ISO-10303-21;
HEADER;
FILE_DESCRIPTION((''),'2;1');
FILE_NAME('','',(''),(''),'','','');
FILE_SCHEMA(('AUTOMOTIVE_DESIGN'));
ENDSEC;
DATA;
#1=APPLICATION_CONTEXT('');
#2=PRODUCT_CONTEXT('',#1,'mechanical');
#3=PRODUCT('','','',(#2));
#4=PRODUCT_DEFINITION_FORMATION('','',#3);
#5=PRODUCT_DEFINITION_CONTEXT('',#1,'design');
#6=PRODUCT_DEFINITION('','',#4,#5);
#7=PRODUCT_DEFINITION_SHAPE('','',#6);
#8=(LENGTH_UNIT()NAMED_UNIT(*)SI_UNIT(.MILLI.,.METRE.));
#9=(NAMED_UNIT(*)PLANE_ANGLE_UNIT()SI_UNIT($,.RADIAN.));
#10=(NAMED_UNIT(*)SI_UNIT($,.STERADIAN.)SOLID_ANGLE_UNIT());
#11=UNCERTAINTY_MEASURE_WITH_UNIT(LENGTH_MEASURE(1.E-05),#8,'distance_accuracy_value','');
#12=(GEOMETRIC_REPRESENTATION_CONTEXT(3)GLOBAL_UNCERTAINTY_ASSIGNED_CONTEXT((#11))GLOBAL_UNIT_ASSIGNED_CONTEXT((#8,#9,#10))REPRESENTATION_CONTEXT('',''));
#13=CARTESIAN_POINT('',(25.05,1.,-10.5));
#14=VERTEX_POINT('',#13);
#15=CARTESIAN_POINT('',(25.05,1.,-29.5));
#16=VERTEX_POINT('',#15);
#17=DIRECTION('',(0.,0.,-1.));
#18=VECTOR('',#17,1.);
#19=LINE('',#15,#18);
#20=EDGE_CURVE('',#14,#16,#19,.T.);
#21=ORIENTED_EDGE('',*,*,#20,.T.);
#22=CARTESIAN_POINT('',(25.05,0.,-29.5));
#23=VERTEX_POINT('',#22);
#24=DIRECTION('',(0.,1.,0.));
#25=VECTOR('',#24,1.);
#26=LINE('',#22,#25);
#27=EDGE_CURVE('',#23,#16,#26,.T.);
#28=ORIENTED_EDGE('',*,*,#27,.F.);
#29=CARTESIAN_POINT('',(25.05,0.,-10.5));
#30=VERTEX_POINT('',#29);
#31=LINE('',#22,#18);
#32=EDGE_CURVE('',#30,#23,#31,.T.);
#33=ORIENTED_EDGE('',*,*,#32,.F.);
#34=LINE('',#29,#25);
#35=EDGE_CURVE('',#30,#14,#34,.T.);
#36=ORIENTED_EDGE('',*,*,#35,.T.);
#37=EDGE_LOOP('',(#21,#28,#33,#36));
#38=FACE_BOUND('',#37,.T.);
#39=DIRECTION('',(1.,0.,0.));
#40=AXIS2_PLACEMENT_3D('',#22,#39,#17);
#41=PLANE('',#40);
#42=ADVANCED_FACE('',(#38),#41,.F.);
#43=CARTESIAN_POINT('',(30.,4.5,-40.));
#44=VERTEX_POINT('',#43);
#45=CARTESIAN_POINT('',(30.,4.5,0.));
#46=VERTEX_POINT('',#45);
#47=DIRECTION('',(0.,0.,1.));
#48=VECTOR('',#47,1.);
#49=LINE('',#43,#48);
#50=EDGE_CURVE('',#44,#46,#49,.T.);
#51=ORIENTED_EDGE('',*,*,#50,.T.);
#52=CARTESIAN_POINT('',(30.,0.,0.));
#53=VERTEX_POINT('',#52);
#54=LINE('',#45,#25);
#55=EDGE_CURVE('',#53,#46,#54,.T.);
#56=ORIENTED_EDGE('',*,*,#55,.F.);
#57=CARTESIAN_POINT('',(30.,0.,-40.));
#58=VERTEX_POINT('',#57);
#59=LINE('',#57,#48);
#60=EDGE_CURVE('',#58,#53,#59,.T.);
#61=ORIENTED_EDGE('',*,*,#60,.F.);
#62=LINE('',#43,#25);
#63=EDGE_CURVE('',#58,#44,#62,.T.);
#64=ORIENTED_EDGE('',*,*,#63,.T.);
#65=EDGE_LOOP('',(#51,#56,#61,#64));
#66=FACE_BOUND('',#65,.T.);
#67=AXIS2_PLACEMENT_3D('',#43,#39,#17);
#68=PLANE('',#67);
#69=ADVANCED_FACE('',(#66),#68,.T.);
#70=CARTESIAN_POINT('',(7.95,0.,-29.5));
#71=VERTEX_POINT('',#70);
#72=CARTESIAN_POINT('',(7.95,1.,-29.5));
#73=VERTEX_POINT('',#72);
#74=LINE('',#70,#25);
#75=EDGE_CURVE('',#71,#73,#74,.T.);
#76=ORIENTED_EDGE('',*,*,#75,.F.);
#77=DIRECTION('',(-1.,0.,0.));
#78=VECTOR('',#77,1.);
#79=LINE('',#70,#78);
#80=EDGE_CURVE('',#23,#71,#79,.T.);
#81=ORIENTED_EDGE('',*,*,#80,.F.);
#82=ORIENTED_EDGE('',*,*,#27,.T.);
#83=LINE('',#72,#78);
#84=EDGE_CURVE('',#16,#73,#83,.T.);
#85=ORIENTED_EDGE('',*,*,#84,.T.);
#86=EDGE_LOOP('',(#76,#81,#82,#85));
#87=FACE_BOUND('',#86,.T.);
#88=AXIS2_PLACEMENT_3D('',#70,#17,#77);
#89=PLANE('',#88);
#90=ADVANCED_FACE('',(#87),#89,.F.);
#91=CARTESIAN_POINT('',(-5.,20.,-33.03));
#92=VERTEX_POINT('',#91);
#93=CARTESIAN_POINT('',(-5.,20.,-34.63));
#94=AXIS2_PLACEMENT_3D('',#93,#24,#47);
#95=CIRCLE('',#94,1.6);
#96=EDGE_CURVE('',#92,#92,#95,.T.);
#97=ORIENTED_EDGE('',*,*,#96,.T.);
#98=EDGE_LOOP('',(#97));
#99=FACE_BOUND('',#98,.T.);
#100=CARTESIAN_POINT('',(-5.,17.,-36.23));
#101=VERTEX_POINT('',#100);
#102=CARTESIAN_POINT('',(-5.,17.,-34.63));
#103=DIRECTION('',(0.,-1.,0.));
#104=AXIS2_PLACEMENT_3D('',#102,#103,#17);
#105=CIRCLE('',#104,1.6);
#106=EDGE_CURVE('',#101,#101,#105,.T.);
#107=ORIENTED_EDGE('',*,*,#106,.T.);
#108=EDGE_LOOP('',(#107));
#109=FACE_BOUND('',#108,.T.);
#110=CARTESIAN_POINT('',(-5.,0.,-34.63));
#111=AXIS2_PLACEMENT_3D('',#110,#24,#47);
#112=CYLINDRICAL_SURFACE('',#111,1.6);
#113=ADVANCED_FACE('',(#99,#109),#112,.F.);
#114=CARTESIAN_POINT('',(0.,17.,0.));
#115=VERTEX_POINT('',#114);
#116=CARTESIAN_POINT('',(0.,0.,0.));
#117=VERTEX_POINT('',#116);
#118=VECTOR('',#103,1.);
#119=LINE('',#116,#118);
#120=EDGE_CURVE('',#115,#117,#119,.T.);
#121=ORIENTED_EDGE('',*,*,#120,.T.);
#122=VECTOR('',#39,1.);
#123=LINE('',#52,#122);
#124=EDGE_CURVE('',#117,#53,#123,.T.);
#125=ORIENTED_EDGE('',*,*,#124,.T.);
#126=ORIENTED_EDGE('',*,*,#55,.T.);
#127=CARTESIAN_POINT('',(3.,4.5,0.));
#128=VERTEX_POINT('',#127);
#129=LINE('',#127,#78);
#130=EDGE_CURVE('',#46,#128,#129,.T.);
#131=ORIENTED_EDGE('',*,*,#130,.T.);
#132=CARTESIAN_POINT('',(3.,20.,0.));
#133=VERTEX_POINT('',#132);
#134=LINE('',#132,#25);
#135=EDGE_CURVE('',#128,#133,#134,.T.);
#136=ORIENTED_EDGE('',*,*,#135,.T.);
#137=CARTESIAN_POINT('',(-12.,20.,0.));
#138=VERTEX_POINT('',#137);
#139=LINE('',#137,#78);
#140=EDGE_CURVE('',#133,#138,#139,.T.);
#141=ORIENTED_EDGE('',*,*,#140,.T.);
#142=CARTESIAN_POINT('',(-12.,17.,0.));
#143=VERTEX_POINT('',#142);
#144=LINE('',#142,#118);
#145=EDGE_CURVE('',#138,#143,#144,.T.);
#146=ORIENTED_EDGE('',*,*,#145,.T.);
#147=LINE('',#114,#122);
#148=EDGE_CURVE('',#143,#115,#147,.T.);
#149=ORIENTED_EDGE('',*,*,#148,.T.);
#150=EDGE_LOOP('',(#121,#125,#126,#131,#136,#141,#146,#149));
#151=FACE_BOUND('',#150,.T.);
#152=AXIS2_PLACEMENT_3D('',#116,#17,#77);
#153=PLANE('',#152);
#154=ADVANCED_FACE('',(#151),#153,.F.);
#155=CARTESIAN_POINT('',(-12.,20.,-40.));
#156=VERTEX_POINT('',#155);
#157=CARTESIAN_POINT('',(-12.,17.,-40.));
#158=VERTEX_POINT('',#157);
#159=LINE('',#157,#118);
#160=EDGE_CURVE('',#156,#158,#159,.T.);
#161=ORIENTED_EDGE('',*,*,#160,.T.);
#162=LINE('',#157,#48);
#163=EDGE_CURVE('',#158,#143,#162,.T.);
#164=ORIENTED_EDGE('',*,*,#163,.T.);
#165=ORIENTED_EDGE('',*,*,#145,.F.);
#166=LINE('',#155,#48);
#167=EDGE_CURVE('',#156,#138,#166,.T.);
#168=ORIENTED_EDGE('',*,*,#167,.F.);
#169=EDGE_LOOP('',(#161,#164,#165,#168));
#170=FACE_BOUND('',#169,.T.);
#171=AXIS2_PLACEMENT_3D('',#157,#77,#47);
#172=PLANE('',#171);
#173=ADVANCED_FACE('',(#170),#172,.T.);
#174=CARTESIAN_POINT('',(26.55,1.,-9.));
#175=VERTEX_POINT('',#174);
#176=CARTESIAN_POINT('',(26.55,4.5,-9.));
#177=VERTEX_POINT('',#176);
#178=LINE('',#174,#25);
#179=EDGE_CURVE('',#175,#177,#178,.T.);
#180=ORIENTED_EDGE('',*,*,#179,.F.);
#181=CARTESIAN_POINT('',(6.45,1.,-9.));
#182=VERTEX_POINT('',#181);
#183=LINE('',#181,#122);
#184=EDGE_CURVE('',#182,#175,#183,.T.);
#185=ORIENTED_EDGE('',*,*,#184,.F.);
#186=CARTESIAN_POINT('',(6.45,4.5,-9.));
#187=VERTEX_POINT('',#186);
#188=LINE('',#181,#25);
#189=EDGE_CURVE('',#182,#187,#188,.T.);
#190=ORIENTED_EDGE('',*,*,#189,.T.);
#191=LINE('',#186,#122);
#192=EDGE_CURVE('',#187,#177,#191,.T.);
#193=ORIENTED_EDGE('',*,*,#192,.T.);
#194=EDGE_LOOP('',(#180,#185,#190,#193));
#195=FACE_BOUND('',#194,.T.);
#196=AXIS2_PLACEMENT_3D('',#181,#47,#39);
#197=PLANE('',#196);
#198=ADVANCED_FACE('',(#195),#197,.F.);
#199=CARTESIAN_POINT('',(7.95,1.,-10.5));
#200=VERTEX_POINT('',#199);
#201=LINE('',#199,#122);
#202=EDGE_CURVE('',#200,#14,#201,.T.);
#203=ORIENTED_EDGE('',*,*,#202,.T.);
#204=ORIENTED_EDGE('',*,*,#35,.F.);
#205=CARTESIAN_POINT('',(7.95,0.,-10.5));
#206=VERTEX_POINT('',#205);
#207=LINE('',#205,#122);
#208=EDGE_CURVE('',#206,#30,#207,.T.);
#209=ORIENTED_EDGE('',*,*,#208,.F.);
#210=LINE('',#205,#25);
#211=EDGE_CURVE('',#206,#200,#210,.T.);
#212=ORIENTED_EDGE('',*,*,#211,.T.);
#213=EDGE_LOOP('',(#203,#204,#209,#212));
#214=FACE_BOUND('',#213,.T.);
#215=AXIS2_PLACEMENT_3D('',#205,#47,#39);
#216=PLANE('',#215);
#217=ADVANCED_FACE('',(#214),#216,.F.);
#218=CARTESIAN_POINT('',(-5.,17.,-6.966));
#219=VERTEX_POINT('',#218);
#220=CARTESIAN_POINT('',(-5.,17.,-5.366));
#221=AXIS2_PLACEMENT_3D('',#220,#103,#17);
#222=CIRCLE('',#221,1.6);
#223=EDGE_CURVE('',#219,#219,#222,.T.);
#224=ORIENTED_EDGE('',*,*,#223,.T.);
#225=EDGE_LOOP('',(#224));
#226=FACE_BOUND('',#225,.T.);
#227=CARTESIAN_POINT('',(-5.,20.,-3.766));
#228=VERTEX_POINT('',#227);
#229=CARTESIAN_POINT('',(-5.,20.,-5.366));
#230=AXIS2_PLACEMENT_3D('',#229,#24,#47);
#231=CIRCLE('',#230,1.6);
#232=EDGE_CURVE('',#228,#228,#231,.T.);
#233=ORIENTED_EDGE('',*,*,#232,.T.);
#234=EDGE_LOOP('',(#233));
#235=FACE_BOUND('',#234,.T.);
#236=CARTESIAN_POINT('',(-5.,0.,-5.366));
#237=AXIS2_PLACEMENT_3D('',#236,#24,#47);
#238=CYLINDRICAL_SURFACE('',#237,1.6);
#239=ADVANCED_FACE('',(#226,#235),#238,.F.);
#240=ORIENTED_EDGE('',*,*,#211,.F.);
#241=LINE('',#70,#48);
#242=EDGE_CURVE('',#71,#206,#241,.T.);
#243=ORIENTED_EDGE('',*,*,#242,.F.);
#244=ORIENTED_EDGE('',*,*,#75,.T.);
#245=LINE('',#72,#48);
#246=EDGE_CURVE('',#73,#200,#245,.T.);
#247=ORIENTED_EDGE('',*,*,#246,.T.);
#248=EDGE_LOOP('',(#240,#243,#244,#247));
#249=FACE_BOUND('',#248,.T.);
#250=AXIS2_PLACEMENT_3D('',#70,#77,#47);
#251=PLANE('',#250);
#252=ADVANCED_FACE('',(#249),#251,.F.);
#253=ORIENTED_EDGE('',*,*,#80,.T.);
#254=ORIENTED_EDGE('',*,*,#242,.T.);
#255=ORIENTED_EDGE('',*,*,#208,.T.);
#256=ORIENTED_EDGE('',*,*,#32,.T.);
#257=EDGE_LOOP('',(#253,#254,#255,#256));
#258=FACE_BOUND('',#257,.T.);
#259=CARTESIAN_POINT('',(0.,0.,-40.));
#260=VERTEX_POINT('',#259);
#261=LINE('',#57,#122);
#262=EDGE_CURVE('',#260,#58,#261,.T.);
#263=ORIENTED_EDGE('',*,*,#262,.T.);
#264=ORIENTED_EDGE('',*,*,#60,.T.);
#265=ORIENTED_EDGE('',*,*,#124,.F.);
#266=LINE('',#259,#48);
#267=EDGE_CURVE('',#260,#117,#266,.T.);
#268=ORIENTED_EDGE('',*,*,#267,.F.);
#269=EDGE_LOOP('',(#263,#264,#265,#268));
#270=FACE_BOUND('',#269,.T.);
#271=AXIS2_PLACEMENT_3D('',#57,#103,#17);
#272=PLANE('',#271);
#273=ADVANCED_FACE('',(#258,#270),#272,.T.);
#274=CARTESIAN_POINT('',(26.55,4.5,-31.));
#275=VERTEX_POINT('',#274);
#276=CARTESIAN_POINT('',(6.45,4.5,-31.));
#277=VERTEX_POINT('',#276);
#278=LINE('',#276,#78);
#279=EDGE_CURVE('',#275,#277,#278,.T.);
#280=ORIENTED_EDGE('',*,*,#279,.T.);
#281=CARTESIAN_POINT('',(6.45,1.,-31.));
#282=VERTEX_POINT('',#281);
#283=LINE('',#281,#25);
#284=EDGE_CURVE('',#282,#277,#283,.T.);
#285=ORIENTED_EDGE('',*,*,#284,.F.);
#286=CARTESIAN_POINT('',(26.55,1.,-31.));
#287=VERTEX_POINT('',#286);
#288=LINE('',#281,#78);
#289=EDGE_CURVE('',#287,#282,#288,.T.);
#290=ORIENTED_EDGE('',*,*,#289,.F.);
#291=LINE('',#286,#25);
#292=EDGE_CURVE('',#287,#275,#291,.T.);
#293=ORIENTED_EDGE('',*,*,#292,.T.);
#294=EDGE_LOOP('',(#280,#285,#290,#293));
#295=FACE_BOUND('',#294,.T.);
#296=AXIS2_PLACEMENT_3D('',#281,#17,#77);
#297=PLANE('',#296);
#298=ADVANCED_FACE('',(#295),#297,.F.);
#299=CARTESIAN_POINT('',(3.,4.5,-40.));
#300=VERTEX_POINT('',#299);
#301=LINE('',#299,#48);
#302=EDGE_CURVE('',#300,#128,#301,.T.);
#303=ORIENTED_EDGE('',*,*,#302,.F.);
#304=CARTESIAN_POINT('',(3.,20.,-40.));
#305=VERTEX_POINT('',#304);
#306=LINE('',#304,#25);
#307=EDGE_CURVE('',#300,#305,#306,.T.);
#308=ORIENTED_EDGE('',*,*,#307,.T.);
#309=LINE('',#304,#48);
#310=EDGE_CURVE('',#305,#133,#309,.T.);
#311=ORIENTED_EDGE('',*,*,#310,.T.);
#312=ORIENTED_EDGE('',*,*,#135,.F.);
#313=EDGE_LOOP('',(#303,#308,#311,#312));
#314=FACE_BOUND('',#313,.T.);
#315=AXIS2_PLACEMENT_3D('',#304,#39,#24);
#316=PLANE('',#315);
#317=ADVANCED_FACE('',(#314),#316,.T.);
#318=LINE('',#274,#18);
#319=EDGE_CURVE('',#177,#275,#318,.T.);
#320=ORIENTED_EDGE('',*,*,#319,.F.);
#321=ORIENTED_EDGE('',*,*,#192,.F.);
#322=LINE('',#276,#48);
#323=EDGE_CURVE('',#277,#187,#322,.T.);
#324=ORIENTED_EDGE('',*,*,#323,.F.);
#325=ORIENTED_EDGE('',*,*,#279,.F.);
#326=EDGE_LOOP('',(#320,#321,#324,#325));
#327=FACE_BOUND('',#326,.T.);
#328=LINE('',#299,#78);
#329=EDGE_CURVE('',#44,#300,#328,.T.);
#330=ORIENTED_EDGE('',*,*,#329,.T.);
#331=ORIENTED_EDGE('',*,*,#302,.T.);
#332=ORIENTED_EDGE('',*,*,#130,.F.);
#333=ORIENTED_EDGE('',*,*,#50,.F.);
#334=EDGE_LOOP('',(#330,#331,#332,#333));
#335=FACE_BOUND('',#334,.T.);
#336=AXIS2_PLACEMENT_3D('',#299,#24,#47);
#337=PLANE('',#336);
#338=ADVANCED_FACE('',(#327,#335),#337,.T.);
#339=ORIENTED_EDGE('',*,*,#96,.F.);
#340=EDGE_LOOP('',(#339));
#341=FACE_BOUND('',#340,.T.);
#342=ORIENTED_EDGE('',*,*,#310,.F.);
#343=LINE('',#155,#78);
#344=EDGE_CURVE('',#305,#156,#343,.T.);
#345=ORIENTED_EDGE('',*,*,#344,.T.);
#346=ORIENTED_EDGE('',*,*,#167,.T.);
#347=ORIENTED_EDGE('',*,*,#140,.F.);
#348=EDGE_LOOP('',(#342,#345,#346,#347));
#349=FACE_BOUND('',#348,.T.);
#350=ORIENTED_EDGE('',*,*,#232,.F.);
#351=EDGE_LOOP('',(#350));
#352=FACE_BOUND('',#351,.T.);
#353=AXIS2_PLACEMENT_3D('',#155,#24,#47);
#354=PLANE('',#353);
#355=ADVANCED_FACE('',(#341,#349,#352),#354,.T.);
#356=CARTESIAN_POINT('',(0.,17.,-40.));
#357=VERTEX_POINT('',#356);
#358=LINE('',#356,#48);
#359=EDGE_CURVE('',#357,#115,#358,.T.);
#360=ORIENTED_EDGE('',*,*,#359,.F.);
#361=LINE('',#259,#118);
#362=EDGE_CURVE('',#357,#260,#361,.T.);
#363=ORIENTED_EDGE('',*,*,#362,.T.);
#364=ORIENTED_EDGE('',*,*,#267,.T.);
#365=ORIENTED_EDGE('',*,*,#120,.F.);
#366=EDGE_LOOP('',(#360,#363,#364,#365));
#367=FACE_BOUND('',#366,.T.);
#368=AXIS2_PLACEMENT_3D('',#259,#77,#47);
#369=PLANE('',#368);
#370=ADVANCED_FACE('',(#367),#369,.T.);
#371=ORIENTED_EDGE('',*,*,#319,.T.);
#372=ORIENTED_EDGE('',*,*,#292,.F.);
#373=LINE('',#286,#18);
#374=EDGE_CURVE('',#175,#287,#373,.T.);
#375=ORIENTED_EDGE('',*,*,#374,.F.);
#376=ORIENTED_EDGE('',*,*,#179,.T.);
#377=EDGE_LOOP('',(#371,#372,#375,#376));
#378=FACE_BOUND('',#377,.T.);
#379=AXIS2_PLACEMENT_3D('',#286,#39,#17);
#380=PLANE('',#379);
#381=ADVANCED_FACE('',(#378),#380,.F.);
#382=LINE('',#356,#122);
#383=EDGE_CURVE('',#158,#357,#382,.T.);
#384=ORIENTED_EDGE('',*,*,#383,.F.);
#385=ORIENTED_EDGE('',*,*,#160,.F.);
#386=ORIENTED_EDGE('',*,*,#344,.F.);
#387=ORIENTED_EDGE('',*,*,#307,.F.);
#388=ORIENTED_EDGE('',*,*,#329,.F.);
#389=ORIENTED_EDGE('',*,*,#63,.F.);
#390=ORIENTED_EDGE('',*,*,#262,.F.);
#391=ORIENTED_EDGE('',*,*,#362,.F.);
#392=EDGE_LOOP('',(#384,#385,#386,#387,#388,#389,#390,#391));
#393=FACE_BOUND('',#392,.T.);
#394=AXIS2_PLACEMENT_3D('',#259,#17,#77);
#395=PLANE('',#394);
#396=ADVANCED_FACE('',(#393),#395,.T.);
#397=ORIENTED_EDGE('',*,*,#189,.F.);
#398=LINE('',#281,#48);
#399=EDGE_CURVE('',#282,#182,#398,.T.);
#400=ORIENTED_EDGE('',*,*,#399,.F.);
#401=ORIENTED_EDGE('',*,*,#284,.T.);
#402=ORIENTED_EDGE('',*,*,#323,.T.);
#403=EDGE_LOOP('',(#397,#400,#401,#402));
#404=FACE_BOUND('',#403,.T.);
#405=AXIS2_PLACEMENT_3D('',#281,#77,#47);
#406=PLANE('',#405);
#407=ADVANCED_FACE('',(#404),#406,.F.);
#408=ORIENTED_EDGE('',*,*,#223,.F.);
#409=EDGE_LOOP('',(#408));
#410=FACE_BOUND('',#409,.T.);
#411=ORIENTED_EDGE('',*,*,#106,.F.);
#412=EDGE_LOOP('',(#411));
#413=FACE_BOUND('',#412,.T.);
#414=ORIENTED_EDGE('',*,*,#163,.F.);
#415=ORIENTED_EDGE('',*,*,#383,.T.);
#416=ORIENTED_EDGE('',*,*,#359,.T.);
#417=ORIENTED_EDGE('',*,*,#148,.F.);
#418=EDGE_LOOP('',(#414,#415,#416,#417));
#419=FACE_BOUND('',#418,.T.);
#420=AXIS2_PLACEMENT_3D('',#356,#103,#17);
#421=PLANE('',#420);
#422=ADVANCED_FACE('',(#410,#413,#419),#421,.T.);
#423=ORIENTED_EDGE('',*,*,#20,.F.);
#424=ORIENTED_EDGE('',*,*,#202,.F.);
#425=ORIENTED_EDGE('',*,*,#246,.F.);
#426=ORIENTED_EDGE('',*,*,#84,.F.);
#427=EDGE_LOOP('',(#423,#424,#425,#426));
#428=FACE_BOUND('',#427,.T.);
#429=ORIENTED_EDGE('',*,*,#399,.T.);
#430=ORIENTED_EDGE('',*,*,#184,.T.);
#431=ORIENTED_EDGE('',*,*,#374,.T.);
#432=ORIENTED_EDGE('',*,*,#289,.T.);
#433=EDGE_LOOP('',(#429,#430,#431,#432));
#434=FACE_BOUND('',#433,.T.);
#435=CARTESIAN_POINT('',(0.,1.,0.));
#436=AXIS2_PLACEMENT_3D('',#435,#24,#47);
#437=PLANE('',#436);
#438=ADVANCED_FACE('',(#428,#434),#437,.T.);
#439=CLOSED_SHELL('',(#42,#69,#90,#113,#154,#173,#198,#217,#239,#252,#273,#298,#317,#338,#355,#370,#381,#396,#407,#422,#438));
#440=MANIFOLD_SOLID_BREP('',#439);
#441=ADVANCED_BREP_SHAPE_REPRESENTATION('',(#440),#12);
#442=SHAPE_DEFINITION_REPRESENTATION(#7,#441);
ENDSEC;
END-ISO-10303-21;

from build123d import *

# Parameters (mm, degrees)
BOSS_EXTRUDE1_DEPTH = 40
SKETCH2_W           = 20.1
SKETCH2_H           = 22
CUT_EXTRUDE1_DEPTH  = 3.5
SKETCH3_W           = 17.1
SKETCH3_H           = 19
CUT_EXTRUDE2_DEPTH  = 54.488316481
SKETCH4_R           = 1.6
CUT_EXTRUDE3_DEPTH  = 54.851648071


with BuildPart() as part:
    # Sketch1 → Boss-Extrude1 (new body)
    with BuildSketch(Plane.XY):
        Polygon((0, 0), (0, 17), (-12, 17), (-12, 20), (3, 20), (3, 4.5), (30, 4.5), (30, 0), align=None)
    extrude(amount=-BOSS_EXTRUDE1_DEPTH)

    # Sketch2 → Cut-Extrude1 (cut)
    with BuildSketch(Plane(origin=(0, 4.5, 0), x_dir=(1, 0, 0), z_dir=(0, 1, 0))):
        with Locations((16.5, 20)):
            Rectangle(SKETCH2_W, SKETCH2_H)
    extrude(amount=-CUT_EXTRUDE1_DEPTH, mode=Mode.SUBTRACT)

    # Sketch3 → Cut-Extrude2 (cut, through all)
    with BuildSketch(Plane(origin=(0, 1, 0), x_dir=(1, 0, 0), z_dir=(0, 1, 0))):
        with Locations((16.5, 20)):
            Rectangle(SKETCH3_W, SKETCH3_H)
    extrude(amount=-CUT_EXTRUDE2_DEPTH, mode=Mode.SUBTRACT)

    # Sketch4 → Cut-Extrude3 (cut, through all)
    with BuildSketch(Plane(origin=(0, 20, 0), x_dir=(1, 0, 0), z_dir=(0, 1, 0))):
        with Locations((-5, 34.63)):
            Circle(SKETCH4_R)
        with Locations((-5, 5.366)):
            Circle(SKETCH4_R)
    extrude(amount=-CUT_EXTRUDE3_DEPTH, mode=Mode.SUBTRACT)


solid = part.part
